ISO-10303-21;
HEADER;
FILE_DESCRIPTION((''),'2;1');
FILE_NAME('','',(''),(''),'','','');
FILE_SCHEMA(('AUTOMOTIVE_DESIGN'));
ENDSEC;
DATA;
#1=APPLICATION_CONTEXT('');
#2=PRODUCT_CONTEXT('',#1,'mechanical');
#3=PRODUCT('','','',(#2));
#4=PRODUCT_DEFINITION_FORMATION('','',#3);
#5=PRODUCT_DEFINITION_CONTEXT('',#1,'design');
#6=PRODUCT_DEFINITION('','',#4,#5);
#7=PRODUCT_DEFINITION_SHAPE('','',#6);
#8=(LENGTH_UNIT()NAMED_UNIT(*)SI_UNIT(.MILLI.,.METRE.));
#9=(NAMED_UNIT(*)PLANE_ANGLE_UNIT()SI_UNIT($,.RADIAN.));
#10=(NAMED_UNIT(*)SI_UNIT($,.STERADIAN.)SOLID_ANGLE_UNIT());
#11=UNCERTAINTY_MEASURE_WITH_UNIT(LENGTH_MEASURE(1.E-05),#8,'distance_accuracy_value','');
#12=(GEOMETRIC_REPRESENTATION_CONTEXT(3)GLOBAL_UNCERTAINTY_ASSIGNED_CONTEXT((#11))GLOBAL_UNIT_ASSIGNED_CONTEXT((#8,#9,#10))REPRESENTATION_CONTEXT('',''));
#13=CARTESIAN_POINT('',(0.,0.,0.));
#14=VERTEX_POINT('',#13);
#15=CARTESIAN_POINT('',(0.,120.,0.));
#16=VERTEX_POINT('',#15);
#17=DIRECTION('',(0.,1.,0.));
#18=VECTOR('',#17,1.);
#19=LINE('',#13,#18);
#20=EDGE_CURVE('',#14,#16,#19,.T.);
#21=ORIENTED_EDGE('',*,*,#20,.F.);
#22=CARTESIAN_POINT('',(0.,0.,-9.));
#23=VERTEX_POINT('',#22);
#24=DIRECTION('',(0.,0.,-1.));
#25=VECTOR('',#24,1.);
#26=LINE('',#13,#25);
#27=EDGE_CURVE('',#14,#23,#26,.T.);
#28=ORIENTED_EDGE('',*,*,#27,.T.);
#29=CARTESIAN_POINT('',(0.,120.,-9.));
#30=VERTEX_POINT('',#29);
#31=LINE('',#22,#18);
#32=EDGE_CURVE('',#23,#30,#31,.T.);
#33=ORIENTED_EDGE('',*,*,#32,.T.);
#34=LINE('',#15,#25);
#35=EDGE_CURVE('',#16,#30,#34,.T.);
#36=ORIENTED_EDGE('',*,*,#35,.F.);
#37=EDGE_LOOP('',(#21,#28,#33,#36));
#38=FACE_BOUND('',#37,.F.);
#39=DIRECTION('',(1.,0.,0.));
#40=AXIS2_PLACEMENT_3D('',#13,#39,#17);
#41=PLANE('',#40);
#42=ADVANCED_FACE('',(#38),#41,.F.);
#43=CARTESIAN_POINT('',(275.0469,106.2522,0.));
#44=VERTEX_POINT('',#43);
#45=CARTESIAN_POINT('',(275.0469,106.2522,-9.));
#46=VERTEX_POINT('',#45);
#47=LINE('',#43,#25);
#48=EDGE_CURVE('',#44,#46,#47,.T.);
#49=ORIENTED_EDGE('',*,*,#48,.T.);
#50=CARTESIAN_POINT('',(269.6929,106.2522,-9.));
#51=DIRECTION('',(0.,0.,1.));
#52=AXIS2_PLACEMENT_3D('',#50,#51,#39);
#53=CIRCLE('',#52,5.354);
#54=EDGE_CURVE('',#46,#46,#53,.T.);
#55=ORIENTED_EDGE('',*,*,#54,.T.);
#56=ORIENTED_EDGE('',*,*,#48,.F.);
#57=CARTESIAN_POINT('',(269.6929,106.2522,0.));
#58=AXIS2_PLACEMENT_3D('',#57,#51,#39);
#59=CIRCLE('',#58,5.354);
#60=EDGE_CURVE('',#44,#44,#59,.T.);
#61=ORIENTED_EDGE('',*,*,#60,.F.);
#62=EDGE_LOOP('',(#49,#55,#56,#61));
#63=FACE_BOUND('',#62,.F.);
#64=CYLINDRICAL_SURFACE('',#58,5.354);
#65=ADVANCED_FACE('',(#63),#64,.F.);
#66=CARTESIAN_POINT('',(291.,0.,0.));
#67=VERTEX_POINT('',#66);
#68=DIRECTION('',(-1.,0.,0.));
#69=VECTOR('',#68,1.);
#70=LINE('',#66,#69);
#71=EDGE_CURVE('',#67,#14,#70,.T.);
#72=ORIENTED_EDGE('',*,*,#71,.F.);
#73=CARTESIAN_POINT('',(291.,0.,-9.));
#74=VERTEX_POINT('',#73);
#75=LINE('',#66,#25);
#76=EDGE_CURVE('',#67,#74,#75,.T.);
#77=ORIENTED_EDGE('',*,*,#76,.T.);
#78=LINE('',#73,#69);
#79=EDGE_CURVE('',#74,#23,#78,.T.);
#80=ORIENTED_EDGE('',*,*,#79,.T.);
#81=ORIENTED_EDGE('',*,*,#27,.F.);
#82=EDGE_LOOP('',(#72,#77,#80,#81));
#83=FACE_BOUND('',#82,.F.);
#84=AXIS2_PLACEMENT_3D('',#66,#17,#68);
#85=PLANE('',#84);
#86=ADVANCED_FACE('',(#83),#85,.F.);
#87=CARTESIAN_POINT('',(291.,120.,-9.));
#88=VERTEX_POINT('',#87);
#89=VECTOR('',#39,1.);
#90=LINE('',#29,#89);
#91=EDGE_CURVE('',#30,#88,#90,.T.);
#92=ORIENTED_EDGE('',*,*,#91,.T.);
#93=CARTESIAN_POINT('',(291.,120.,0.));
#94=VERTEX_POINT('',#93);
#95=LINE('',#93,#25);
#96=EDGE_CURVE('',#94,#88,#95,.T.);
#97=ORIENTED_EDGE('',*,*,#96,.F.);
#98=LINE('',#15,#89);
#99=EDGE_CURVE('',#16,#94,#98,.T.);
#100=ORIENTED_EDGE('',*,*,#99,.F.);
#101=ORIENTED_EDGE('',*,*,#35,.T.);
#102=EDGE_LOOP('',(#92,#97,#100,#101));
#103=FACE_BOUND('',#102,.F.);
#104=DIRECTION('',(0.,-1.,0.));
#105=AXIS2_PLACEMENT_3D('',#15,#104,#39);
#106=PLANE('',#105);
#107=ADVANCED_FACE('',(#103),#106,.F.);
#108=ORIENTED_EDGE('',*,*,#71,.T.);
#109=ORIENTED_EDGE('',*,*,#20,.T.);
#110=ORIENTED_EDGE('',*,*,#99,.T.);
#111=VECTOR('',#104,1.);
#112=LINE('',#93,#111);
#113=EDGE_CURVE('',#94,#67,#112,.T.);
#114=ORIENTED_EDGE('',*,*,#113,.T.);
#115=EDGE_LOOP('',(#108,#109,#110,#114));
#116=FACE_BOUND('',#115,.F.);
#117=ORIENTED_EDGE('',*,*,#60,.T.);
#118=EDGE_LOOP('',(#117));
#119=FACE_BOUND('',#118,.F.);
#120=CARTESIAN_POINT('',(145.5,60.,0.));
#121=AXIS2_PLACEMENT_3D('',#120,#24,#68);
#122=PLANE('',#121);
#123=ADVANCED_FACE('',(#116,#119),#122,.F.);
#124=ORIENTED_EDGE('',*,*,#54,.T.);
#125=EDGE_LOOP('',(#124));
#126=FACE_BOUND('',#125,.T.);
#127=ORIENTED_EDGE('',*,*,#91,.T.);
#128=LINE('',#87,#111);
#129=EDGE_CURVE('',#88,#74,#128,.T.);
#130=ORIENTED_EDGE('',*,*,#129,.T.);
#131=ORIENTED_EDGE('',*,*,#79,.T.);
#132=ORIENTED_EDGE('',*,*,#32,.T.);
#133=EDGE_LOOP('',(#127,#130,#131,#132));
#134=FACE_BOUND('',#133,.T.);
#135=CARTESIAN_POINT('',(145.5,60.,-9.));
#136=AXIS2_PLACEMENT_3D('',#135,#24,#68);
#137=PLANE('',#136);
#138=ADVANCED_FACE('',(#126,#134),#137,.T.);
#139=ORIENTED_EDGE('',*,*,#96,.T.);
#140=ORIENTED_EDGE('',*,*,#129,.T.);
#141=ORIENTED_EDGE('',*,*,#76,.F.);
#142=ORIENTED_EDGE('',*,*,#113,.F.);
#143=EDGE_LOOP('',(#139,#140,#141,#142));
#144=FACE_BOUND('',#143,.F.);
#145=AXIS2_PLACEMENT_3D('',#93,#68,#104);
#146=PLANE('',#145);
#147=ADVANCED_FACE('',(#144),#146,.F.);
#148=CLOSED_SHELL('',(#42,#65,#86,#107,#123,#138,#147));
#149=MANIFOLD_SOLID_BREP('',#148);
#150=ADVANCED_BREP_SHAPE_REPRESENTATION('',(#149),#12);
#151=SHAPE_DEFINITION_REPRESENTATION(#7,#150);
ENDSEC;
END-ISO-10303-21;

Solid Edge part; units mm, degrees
sketch "Sketch1" plane through (0, 0, 0) normal (0, 0, 1) x (1, 0, 0)
  line L0 (291, 0) -> (0, 0)
  line L1 (0, 0) -> (0, 120)
  line L2 (0, 120) -> (291, 120)
  line L3 (291, 120) -> (291, 0)
  circle A0 centre (269.6929, 106.2522) radius 5.354
  dimension "D1" = 120
  dimension "D2" = 291
extrude "Protrusion1" add sketch "Sketch1" against normal blind 9
